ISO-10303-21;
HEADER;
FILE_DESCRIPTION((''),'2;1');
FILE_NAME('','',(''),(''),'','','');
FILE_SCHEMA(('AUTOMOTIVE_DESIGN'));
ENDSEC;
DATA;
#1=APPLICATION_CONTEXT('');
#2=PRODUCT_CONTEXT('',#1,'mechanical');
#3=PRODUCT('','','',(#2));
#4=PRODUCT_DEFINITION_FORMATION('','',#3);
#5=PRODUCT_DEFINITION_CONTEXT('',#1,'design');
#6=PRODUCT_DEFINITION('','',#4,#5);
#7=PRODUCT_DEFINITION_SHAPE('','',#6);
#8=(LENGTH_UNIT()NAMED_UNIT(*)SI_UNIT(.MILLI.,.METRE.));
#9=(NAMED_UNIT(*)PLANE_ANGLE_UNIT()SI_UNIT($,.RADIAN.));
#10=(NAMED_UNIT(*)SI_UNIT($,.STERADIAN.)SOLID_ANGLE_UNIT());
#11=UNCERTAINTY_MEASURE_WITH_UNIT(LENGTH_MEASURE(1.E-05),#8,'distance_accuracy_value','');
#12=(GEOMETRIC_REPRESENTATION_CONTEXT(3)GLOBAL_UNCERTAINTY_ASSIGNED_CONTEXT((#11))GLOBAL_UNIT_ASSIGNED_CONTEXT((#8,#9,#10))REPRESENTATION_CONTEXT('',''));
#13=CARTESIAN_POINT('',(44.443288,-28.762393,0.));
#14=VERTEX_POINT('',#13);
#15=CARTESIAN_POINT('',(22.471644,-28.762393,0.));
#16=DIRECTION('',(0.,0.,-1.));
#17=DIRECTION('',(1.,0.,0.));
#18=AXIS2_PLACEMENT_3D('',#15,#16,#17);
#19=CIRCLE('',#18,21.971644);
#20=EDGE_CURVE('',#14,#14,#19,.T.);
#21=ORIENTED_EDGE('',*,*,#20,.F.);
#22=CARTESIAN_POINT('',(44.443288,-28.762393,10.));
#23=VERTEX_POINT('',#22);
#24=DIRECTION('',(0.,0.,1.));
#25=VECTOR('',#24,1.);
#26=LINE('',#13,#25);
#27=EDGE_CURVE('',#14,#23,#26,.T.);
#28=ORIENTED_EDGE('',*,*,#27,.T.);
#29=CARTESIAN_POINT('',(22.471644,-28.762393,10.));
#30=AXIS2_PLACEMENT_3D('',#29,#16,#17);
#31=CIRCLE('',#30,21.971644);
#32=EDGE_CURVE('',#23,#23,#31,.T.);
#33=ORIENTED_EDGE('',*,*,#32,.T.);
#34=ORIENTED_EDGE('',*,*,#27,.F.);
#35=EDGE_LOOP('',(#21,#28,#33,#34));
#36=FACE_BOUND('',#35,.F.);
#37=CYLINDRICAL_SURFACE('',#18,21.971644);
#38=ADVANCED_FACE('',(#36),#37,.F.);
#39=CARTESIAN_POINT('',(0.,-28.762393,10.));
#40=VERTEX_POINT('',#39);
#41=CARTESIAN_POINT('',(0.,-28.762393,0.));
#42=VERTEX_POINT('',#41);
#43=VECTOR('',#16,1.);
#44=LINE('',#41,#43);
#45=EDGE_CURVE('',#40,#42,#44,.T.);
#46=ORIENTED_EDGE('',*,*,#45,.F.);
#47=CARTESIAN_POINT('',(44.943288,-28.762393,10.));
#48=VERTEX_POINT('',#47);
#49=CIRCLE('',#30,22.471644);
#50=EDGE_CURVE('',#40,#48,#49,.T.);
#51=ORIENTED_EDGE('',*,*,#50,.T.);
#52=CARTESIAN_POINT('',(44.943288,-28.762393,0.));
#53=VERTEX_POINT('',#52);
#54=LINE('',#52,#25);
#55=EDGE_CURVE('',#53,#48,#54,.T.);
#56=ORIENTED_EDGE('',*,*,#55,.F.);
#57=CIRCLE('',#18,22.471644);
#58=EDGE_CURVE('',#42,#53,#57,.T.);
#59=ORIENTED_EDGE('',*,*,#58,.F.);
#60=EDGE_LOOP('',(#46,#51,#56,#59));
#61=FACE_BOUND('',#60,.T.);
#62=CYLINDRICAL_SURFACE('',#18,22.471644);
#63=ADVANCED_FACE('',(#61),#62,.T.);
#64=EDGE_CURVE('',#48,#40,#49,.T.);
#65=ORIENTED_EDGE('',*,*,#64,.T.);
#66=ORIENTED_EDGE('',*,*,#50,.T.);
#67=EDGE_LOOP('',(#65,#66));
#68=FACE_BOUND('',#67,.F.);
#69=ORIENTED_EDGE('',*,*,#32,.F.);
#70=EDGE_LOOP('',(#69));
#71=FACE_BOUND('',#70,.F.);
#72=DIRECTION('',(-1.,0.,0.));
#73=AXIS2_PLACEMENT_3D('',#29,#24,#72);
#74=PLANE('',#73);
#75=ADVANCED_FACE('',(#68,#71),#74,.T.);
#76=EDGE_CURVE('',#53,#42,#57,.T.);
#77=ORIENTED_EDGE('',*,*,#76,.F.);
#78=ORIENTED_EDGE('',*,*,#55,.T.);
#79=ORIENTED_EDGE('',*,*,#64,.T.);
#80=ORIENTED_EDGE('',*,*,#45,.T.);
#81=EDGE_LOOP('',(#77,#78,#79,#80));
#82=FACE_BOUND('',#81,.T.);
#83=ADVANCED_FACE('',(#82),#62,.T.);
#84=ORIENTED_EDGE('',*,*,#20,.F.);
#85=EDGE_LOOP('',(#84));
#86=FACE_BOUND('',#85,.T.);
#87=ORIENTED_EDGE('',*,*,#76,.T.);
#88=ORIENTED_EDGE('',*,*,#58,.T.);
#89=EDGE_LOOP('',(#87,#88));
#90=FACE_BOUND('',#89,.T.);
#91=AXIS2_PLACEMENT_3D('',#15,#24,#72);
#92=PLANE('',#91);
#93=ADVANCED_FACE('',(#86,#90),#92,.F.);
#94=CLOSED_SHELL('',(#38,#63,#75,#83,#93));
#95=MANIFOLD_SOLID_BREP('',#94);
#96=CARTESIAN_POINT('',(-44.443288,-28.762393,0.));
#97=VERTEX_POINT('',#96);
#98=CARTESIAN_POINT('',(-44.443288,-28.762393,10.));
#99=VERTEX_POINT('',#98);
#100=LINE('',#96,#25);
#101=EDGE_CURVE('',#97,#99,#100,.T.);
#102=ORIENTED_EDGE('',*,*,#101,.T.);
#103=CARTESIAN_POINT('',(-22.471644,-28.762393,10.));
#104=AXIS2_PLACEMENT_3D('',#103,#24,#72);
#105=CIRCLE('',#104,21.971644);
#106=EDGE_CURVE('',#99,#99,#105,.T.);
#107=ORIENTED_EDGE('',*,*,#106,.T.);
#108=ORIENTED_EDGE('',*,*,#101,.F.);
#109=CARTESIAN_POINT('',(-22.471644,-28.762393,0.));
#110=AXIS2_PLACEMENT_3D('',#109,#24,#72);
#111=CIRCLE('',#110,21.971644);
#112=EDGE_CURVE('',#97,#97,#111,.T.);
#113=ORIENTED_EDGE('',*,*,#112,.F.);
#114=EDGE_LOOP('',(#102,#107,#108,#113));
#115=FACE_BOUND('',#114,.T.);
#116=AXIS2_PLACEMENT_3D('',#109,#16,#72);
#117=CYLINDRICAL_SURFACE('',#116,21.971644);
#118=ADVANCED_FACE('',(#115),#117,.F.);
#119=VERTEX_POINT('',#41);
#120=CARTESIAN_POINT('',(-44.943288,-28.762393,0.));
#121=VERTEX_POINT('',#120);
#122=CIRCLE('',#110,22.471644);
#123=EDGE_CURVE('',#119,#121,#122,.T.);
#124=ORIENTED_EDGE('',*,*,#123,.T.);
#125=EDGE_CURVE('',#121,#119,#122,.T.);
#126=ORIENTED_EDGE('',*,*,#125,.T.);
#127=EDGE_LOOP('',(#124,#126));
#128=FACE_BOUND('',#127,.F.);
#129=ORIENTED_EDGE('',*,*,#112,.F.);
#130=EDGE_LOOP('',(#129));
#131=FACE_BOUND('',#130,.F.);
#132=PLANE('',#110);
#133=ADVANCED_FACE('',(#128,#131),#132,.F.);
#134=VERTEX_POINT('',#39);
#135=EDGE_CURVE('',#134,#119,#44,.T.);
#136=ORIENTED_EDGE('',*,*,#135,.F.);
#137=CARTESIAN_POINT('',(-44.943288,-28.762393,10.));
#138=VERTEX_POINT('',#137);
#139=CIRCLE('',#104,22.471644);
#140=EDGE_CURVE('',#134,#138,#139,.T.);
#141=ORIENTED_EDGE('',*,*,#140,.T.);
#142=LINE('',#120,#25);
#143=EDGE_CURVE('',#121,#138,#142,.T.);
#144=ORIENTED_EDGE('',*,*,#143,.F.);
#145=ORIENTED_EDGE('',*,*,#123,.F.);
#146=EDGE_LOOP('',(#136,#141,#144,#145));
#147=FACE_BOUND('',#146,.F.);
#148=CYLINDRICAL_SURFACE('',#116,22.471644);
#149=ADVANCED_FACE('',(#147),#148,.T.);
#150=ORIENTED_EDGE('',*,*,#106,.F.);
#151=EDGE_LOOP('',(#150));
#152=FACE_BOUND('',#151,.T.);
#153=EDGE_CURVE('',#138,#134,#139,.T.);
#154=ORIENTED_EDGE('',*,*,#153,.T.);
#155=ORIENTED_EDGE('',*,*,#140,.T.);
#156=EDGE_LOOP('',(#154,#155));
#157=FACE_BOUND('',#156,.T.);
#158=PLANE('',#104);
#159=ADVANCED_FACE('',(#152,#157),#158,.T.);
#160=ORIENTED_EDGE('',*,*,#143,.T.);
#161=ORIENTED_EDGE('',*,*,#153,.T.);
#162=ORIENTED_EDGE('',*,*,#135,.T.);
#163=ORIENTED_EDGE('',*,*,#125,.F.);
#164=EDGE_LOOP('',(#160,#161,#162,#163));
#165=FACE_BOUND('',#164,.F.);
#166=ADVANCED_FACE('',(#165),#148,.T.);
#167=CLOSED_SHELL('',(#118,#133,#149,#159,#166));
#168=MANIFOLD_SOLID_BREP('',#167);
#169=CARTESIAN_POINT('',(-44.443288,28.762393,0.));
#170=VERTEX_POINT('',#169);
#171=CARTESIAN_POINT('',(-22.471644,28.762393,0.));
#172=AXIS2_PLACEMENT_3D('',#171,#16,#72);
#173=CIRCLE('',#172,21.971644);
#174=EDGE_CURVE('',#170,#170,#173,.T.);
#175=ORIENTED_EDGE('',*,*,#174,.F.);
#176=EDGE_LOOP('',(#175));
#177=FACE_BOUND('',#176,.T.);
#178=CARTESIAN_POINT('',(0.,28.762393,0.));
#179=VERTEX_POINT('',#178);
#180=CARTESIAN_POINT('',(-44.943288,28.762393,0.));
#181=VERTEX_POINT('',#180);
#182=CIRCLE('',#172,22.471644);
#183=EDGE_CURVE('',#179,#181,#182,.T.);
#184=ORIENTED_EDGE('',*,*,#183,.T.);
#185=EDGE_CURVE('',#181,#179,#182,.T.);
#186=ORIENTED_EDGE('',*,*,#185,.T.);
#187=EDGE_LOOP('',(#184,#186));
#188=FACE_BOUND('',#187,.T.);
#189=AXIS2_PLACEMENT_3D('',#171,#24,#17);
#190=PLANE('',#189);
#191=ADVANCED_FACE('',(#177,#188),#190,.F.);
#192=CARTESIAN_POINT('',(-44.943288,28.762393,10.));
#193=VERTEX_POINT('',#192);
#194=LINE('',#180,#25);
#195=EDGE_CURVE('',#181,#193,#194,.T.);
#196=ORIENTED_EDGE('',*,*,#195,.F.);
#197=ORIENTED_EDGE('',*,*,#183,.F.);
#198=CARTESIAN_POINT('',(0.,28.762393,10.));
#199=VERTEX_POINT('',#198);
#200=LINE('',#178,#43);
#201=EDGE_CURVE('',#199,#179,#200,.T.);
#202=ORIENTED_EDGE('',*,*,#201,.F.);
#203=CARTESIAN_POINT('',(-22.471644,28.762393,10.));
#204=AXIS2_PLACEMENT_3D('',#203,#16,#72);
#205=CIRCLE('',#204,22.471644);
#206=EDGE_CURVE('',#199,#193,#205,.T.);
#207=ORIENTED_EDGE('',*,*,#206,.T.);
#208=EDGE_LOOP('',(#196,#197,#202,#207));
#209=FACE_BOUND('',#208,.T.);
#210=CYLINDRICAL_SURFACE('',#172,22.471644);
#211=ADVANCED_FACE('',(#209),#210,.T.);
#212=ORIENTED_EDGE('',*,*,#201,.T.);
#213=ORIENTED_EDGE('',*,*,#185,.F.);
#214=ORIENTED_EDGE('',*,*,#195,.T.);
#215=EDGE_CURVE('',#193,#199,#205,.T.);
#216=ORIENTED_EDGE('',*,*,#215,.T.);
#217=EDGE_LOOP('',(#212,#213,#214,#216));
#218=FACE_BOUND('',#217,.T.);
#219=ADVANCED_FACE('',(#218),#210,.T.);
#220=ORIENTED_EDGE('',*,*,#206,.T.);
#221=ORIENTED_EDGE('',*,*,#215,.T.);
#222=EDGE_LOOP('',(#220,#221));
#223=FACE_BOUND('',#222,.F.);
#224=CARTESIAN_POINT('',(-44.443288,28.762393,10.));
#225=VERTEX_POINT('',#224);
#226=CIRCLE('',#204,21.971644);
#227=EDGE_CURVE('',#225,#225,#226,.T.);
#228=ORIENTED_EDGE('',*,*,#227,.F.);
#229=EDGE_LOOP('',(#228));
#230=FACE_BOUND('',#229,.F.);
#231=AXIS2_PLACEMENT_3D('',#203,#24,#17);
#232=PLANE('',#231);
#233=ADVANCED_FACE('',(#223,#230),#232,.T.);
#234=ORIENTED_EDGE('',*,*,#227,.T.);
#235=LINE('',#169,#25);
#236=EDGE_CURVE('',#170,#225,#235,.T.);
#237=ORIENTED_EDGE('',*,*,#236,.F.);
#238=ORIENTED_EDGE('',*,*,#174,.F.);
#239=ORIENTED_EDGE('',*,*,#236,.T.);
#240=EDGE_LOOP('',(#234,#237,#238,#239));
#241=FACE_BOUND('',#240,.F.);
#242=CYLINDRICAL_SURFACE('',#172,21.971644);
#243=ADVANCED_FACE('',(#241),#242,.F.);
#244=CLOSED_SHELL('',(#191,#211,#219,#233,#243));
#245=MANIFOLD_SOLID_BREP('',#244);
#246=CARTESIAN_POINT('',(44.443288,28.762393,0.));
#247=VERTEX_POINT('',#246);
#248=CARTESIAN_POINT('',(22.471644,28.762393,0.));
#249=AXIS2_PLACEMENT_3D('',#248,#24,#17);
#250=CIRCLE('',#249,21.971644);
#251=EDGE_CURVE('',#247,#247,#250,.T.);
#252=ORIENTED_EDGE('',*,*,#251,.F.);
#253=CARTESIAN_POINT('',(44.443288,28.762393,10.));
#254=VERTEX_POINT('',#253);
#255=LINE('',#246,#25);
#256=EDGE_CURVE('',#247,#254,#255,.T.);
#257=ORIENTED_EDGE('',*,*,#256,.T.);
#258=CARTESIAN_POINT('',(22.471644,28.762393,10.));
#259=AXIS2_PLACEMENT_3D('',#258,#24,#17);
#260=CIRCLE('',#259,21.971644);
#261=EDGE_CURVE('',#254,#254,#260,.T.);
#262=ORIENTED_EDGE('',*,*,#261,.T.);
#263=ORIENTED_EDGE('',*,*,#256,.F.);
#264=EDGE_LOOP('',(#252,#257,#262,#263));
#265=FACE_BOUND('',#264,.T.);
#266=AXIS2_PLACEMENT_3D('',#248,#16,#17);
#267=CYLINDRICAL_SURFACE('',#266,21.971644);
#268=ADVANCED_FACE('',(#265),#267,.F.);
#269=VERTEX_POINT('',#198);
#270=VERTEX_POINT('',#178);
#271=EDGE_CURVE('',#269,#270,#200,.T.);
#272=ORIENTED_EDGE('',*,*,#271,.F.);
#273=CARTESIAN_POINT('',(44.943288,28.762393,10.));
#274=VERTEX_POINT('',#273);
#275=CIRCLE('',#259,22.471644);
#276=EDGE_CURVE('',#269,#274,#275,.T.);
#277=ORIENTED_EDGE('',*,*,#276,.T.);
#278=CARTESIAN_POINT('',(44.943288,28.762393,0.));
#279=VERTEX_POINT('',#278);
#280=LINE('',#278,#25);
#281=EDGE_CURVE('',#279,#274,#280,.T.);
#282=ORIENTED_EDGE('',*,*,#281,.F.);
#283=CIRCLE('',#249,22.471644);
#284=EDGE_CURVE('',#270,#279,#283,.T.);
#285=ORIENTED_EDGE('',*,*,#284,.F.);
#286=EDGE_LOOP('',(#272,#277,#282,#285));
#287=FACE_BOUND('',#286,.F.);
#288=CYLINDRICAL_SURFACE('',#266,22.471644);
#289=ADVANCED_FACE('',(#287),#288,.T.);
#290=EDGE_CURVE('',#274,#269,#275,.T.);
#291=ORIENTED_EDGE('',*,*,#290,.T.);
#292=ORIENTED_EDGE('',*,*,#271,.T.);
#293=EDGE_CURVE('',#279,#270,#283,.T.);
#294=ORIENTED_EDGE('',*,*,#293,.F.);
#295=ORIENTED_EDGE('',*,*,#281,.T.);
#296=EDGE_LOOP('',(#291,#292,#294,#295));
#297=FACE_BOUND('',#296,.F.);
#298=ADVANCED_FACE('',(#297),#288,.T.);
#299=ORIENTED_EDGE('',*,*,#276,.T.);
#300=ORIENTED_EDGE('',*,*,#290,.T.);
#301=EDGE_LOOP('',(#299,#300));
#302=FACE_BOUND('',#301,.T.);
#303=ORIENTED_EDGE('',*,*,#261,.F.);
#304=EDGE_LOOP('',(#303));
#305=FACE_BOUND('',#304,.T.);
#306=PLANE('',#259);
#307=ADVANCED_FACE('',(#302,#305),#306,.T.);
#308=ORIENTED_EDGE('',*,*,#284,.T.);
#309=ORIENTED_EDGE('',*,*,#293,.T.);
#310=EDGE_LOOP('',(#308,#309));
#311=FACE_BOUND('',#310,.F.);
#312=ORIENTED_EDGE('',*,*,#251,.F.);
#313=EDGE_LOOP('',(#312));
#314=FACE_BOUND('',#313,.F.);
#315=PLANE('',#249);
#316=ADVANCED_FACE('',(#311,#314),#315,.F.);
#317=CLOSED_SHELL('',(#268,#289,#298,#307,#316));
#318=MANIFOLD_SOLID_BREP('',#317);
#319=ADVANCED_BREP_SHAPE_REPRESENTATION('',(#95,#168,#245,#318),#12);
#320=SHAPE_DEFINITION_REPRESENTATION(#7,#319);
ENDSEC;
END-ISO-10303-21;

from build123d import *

# Parameters (mm, degrees)
F0_R     = 22.471644
F0_R_2   = 21.971644
F1_DEPTH = 10


with BuildPart() as f1:
    # F0 (on Top) → F1 (new body)
    with BuildSketch(Plane.XY):
        with Locations((22.471644, 28.762393)):
            Circle(F0_R)
        with Locations((22.471644, 28.762393)):
            Circle(F0_R_2, mode=Mode.SUBTRACT)
    extrude(amount=F1_DEPTH)

    # F2: F1 across plane


with BuildPart() as f1_1:
    add(f1.part)
    add(f1.part.mirror(Plane.YZ))


with BuildPart() as f3_1:
    # F3: instance of F1
    add(f1_1.part.mirror(Plane.XZ))


solid = Compound([f1_1.part, f3_1.part])
